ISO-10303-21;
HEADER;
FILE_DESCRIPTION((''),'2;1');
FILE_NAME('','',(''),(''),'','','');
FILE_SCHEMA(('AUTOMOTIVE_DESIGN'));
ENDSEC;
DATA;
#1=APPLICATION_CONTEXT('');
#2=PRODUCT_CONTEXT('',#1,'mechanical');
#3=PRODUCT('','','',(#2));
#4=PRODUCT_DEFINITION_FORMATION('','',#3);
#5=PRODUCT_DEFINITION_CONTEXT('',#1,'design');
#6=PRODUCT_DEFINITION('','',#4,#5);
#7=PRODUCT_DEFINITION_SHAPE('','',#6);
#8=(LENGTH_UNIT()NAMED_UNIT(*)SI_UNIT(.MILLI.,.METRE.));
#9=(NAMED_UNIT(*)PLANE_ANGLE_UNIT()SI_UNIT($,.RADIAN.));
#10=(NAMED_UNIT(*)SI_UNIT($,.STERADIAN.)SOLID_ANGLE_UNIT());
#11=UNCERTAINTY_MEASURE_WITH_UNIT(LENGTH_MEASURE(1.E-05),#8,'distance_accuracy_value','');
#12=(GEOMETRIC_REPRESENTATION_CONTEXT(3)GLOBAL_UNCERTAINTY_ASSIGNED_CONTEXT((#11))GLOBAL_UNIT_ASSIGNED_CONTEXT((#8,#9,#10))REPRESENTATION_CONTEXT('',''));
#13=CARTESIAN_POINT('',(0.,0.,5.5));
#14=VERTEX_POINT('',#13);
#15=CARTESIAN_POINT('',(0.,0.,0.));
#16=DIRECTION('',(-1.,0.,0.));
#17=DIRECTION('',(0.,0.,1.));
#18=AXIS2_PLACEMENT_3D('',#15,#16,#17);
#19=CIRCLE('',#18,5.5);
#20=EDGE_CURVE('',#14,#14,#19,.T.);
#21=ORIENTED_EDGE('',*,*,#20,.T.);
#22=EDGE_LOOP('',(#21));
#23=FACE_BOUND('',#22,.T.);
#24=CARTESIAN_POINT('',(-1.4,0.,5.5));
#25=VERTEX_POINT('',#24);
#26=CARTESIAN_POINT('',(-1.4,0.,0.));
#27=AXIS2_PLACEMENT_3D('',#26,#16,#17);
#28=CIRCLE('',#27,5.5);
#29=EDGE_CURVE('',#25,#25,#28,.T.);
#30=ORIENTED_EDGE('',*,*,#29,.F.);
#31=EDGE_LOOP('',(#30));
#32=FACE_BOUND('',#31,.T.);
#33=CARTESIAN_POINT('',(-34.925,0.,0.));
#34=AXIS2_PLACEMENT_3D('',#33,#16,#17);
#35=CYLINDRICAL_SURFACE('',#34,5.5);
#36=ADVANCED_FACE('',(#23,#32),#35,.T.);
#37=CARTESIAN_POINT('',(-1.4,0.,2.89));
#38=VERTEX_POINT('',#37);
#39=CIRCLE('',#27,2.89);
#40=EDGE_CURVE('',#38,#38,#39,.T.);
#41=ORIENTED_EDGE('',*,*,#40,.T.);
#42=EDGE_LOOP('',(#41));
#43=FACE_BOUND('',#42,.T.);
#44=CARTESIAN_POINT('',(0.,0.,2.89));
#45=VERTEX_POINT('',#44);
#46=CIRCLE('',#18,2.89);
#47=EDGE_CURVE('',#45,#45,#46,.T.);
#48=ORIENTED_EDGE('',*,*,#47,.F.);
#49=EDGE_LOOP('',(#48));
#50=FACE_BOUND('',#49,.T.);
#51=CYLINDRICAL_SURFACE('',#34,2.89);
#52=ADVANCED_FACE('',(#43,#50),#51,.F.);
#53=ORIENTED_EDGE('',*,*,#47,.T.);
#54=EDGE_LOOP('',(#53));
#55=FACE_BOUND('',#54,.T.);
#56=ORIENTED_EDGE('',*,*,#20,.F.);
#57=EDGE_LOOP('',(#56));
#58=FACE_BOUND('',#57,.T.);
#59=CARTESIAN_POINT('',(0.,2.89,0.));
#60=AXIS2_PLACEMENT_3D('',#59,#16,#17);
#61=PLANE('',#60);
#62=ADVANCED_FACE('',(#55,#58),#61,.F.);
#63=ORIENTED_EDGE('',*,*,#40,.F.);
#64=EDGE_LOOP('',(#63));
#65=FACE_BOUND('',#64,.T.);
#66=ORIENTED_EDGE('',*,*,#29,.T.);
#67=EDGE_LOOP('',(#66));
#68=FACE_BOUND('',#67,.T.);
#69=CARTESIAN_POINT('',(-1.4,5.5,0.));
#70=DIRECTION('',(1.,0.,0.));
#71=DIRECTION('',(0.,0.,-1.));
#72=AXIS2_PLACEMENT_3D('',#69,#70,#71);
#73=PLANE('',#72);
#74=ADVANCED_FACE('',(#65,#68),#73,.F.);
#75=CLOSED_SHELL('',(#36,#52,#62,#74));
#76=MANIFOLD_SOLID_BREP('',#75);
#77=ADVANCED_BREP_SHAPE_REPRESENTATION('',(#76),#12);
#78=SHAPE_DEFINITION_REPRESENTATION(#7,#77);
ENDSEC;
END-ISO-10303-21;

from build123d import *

# Parameters (mm, degrees)
SKETCH1_W = 1.4
SKETCH1_H = 2.61


with BuildPart() as part:
    # Sketch1 → Base-Revolve (revolve)
    with BuildSketch(Plane.XY, mode=Mode.PRIVATE) as base_revolve_sk:
        with Locations((-0.7, 4.195)):
            Rectangle(SKETCH1_W, SKETCH1_H)
    revolve(base_revolve_sk.sketch.rotate(Axis((-34.925, 0, 0), (1, 0, 0)), 90), axis=Axis((-34.925, 0, 0), (1, 0, 0)))


solid = part.part
